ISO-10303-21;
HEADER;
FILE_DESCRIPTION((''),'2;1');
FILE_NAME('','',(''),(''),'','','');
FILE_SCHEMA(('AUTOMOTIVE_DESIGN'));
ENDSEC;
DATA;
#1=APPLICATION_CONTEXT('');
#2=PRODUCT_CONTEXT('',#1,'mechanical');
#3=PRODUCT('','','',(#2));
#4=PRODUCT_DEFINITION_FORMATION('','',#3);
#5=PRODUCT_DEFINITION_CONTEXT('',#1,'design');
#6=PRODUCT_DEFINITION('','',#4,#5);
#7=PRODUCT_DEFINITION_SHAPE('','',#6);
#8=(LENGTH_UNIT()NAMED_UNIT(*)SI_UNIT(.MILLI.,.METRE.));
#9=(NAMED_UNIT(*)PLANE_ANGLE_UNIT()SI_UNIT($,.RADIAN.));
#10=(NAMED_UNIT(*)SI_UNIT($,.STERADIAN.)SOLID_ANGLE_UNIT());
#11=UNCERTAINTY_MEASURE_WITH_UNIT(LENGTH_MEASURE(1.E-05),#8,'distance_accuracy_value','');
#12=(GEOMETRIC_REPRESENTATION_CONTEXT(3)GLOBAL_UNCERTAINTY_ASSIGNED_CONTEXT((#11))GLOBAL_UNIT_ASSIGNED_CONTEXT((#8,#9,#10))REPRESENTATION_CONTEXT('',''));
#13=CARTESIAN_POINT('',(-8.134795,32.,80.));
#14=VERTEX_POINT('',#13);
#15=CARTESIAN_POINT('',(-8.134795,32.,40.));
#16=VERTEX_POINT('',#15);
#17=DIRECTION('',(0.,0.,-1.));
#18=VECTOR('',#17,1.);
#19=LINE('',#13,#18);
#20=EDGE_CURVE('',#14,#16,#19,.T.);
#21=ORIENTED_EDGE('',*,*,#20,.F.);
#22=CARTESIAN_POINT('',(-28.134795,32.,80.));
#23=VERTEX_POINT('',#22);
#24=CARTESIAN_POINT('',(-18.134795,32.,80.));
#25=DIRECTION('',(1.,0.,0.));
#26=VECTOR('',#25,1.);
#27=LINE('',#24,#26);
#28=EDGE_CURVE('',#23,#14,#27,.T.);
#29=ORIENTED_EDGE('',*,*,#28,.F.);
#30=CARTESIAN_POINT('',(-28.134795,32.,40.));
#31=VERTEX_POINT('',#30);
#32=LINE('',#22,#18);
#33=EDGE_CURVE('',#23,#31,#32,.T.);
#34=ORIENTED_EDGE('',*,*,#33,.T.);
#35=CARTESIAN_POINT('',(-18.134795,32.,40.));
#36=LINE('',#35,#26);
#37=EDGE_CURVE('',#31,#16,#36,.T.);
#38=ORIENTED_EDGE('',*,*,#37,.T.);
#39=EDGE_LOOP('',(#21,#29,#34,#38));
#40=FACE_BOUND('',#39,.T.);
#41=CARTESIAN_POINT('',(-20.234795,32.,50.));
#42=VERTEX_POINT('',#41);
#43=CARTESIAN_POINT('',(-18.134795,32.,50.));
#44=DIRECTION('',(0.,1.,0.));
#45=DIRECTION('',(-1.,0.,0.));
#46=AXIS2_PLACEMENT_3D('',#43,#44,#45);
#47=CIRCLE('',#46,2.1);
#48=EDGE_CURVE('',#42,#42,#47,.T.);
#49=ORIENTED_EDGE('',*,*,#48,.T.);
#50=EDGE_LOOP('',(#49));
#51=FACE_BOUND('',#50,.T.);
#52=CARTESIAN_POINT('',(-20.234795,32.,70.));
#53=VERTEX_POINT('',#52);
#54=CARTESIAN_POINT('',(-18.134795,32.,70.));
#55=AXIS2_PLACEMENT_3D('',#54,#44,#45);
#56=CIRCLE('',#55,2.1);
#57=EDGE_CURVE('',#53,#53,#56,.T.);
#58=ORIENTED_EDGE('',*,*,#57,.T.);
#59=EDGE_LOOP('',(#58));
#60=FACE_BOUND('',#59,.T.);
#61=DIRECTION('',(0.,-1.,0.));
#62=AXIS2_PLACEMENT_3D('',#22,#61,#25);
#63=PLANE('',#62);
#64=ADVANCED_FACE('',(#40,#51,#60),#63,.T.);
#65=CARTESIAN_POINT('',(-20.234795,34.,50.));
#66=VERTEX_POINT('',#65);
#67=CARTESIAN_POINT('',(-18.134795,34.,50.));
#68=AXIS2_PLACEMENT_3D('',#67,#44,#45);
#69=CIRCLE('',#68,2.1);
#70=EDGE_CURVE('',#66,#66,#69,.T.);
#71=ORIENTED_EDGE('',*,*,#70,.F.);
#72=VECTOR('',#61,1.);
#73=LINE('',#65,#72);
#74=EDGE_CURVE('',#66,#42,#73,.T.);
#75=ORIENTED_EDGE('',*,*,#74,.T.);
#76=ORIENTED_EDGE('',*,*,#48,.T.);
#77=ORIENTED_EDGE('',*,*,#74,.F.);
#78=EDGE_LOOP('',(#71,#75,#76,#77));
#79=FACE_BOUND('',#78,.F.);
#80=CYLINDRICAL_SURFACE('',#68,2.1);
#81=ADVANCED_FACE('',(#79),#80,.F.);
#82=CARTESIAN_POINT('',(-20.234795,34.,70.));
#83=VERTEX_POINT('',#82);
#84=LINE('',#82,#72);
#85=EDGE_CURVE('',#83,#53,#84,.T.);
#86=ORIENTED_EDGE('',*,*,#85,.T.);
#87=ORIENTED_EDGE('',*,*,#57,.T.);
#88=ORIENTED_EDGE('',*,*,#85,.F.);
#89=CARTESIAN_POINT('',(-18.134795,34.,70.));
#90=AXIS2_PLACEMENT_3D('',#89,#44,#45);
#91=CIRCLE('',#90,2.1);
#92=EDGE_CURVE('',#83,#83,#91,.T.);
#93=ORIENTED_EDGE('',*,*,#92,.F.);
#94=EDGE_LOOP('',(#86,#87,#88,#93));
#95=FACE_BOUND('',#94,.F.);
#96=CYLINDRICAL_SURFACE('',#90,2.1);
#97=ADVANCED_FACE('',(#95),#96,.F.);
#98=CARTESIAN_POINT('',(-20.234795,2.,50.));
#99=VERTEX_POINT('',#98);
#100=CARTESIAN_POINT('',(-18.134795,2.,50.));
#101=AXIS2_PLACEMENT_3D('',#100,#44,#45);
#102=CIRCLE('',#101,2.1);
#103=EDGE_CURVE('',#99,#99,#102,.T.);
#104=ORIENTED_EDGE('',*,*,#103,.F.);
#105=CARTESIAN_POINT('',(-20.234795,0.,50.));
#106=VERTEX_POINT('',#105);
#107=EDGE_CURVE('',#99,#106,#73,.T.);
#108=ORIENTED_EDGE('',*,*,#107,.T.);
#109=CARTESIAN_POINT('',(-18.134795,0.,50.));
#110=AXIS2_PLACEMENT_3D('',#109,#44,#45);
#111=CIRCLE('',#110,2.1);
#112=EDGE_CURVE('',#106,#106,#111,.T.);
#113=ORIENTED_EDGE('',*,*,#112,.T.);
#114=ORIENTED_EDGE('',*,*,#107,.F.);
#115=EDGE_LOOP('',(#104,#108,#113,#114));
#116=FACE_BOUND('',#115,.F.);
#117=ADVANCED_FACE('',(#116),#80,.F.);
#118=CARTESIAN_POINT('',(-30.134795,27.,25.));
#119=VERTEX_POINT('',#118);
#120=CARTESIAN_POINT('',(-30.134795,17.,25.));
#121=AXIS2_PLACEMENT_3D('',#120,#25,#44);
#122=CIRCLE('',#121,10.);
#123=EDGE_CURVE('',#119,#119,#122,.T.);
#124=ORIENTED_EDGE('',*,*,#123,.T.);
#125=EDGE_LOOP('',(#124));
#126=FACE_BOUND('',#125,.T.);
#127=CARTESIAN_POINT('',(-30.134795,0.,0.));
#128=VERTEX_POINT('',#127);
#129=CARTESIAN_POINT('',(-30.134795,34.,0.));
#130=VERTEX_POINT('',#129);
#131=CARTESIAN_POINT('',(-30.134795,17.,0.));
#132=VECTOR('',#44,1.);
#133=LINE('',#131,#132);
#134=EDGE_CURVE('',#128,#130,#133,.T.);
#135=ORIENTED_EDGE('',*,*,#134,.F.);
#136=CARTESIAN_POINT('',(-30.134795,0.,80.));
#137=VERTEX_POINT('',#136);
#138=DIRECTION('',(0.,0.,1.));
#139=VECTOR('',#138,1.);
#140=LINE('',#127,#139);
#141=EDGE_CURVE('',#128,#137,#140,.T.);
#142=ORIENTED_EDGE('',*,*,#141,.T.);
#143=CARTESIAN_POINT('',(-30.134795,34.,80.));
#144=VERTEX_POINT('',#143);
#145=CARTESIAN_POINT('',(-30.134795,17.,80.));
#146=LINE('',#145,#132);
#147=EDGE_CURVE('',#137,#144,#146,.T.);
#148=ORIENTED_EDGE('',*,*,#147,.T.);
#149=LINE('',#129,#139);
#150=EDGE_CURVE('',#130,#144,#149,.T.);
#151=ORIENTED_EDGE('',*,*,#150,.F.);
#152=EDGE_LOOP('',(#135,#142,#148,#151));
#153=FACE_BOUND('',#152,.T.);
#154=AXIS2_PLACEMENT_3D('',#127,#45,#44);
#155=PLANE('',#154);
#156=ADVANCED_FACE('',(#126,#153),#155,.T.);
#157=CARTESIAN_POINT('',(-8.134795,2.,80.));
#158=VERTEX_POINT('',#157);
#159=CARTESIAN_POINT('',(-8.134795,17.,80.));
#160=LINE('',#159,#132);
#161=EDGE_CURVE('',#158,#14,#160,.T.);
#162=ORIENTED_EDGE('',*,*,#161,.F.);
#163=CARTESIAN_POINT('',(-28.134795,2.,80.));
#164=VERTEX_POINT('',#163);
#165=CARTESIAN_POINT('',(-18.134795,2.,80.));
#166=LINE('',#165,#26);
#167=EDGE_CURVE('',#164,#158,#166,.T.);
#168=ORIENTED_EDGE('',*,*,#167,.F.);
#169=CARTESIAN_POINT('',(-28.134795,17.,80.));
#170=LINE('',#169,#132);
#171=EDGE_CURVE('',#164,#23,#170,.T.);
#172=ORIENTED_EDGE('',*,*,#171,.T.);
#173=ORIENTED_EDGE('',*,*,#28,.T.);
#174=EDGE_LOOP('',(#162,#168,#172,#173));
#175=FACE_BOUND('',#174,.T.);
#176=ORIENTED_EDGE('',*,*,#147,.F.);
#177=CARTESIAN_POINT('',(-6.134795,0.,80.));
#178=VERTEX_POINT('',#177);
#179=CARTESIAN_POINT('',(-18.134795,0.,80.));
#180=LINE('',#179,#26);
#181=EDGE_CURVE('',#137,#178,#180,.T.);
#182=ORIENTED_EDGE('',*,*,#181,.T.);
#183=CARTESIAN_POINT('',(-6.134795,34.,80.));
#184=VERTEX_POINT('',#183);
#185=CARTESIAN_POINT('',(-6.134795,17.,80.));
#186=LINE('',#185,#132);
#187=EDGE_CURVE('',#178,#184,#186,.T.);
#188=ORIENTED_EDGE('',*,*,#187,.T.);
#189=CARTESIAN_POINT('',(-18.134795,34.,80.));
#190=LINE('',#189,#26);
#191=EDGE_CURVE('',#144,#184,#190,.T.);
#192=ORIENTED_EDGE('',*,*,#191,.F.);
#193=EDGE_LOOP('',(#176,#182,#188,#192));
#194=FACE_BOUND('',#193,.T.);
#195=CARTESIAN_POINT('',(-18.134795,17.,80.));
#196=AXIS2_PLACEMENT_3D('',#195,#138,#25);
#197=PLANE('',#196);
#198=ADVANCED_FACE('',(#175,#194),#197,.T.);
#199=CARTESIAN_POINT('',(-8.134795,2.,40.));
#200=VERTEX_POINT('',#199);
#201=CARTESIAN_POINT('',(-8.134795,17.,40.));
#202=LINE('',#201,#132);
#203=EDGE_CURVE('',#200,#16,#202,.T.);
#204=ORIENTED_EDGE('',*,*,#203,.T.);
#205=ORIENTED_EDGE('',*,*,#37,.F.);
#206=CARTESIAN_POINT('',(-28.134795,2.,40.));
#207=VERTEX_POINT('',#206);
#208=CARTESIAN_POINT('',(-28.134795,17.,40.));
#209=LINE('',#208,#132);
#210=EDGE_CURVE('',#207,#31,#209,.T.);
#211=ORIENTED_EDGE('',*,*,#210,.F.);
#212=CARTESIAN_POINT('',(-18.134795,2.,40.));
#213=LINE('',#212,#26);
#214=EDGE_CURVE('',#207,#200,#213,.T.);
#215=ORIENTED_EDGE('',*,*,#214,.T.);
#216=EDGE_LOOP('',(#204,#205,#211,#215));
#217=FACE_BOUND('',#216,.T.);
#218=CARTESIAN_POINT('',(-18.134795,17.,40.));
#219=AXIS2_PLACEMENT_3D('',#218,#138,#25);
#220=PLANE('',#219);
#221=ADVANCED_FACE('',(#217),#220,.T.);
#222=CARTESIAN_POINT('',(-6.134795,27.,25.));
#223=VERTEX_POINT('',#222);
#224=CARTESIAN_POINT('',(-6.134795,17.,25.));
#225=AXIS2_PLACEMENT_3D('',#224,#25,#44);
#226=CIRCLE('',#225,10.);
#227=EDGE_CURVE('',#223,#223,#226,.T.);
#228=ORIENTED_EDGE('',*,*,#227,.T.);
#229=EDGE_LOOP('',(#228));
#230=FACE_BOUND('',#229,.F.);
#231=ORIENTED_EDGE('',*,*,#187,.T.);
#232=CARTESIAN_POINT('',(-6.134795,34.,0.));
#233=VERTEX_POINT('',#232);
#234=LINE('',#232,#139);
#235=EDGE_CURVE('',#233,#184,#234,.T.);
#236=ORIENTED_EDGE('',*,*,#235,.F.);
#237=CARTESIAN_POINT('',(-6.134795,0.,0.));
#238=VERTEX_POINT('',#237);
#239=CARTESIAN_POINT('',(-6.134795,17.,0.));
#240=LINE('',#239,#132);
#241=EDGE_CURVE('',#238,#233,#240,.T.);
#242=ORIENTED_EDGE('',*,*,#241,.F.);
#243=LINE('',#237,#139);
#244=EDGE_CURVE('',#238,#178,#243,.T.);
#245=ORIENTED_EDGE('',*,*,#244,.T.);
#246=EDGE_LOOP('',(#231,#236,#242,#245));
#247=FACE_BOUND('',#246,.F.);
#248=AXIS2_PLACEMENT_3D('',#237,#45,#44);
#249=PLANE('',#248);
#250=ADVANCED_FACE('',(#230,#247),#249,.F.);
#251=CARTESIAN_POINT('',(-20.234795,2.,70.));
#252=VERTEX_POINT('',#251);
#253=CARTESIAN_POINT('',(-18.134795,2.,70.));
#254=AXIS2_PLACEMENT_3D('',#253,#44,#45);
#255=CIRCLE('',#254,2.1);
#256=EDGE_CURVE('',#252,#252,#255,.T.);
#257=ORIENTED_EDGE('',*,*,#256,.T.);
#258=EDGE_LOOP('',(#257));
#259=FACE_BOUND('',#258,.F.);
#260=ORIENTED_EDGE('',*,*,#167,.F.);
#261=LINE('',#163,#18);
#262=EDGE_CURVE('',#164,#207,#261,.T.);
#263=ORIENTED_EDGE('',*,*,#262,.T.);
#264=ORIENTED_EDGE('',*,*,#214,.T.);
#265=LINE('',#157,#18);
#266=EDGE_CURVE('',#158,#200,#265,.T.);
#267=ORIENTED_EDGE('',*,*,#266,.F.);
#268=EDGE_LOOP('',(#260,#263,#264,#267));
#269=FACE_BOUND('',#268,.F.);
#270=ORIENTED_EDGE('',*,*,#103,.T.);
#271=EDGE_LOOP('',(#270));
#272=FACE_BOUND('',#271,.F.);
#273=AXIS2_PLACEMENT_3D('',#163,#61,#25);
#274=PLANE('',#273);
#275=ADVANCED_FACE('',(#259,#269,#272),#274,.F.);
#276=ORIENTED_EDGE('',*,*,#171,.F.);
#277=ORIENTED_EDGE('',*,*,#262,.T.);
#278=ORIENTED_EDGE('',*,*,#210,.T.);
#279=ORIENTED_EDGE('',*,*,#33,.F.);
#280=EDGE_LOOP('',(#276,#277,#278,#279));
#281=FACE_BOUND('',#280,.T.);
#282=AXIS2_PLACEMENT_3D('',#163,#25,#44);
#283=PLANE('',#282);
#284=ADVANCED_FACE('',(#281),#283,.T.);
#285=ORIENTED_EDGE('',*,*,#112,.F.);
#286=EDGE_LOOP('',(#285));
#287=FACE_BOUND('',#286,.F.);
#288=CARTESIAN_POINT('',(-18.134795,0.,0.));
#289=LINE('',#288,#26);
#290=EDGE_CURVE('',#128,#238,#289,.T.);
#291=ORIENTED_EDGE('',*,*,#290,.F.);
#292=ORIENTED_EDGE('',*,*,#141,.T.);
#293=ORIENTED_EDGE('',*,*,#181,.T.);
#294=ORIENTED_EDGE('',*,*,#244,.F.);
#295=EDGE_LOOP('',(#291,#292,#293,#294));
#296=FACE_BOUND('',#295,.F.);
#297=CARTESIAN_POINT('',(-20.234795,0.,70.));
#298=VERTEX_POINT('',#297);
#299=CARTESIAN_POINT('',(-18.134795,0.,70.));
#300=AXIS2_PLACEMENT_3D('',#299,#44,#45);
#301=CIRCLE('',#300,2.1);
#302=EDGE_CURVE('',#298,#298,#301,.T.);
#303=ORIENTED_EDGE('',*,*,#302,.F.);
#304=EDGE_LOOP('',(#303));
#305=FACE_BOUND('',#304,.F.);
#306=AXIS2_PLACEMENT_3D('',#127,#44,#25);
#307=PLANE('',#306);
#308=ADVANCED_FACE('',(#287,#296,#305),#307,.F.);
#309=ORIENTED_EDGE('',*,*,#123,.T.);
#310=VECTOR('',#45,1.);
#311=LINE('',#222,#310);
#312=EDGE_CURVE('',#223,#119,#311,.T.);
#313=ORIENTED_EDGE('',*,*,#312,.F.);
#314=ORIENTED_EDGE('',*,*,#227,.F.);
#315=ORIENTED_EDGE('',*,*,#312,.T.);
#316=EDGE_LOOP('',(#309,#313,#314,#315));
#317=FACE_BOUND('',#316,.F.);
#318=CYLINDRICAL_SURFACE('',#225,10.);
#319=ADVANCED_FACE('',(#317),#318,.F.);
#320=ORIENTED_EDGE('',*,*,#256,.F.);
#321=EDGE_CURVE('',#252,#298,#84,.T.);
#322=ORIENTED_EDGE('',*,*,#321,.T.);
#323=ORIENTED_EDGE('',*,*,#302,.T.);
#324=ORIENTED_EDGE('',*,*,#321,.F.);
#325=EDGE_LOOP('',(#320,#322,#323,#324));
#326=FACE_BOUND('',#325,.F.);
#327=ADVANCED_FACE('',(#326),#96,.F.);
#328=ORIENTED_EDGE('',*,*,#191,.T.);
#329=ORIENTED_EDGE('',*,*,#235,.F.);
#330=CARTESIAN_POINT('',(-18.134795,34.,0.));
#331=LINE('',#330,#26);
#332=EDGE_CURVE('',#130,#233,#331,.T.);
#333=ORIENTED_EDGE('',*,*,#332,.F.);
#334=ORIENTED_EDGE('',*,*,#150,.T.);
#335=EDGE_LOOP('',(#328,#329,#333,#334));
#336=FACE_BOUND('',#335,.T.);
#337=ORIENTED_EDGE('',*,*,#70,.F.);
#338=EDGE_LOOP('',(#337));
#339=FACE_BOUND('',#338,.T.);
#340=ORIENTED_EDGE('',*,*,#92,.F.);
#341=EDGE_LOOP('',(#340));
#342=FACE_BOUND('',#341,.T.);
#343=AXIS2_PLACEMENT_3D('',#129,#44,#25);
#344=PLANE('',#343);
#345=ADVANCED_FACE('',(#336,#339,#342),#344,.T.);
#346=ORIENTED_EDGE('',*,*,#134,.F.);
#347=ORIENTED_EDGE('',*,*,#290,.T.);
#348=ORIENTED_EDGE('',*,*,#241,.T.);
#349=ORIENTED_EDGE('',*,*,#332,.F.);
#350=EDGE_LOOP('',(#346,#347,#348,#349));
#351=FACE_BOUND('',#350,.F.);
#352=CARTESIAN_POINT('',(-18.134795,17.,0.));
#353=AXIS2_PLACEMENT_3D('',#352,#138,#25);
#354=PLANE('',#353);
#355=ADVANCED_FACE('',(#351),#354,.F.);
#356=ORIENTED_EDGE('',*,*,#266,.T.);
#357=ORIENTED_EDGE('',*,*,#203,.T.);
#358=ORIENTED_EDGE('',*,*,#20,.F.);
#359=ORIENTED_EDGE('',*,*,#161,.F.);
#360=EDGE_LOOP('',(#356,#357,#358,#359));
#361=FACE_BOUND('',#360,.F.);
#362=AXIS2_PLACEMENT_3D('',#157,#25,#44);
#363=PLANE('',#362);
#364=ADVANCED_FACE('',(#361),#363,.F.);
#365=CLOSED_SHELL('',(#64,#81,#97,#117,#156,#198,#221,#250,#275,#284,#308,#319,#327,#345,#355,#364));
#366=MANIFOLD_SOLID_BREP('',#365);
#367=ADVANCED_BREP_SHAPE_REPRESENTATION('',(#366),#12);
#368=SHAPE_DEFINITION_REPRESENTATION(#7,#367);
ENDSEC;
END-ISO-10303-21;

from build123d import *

# Parameters (mm, degrees)
F0_W     = 24
F0_H     = 34
F1_DEPTH = 80
F2_R     = 10
F3_DEPTH = 25
F4_W     = 20
F4_H     = 30
F5_DEPTH = 40
F6_R     = 2.1
F7_DEPTH = 40


with BuildPart() as f1:
    # F0 (on Top) → F1 (new body)
    with BuildSketch(Plane.XY):
        with Locations((-18.134795, 17)):
            Rectangle(F0_W, F0_H)
    extrude(amount=F1_DEPTH)

    # F2 (on face) → F3 (cut)
    with BuildSketch(Plane.YZ.offset(-6.134795)):
        with Locations((17, 25)):
            Circle(F2_R)
    extrude(amount=-F3_DEPTH, mode=Mode.SUBTRACT)

    # F4 (on face) → F5 (cut)
    with BuildSketch(Plane.XY.offset(80)):
        with Locations((-18.134795, 17)):
            Rectangle(F4_W, F4_H)
    extrude(amount=-F5_DEPTH, mode=Mode.SUBTRACT)

    # F6 (on face) → F7 (cut)
    with BuildSketch(Plane(origin=(0, 34, 0), x_dir=(-1, 0, 0), z_dir=(0, 1, 0))):
        with Locations((18.134795, 70)):
            Circle(F6_R)
        with Locations((18.134795, 50)):
            Circle(F6_R)
    extrude(amount=-F7_DEPTH, mode=Mode.SUBTRACT)


solid = f1.part
